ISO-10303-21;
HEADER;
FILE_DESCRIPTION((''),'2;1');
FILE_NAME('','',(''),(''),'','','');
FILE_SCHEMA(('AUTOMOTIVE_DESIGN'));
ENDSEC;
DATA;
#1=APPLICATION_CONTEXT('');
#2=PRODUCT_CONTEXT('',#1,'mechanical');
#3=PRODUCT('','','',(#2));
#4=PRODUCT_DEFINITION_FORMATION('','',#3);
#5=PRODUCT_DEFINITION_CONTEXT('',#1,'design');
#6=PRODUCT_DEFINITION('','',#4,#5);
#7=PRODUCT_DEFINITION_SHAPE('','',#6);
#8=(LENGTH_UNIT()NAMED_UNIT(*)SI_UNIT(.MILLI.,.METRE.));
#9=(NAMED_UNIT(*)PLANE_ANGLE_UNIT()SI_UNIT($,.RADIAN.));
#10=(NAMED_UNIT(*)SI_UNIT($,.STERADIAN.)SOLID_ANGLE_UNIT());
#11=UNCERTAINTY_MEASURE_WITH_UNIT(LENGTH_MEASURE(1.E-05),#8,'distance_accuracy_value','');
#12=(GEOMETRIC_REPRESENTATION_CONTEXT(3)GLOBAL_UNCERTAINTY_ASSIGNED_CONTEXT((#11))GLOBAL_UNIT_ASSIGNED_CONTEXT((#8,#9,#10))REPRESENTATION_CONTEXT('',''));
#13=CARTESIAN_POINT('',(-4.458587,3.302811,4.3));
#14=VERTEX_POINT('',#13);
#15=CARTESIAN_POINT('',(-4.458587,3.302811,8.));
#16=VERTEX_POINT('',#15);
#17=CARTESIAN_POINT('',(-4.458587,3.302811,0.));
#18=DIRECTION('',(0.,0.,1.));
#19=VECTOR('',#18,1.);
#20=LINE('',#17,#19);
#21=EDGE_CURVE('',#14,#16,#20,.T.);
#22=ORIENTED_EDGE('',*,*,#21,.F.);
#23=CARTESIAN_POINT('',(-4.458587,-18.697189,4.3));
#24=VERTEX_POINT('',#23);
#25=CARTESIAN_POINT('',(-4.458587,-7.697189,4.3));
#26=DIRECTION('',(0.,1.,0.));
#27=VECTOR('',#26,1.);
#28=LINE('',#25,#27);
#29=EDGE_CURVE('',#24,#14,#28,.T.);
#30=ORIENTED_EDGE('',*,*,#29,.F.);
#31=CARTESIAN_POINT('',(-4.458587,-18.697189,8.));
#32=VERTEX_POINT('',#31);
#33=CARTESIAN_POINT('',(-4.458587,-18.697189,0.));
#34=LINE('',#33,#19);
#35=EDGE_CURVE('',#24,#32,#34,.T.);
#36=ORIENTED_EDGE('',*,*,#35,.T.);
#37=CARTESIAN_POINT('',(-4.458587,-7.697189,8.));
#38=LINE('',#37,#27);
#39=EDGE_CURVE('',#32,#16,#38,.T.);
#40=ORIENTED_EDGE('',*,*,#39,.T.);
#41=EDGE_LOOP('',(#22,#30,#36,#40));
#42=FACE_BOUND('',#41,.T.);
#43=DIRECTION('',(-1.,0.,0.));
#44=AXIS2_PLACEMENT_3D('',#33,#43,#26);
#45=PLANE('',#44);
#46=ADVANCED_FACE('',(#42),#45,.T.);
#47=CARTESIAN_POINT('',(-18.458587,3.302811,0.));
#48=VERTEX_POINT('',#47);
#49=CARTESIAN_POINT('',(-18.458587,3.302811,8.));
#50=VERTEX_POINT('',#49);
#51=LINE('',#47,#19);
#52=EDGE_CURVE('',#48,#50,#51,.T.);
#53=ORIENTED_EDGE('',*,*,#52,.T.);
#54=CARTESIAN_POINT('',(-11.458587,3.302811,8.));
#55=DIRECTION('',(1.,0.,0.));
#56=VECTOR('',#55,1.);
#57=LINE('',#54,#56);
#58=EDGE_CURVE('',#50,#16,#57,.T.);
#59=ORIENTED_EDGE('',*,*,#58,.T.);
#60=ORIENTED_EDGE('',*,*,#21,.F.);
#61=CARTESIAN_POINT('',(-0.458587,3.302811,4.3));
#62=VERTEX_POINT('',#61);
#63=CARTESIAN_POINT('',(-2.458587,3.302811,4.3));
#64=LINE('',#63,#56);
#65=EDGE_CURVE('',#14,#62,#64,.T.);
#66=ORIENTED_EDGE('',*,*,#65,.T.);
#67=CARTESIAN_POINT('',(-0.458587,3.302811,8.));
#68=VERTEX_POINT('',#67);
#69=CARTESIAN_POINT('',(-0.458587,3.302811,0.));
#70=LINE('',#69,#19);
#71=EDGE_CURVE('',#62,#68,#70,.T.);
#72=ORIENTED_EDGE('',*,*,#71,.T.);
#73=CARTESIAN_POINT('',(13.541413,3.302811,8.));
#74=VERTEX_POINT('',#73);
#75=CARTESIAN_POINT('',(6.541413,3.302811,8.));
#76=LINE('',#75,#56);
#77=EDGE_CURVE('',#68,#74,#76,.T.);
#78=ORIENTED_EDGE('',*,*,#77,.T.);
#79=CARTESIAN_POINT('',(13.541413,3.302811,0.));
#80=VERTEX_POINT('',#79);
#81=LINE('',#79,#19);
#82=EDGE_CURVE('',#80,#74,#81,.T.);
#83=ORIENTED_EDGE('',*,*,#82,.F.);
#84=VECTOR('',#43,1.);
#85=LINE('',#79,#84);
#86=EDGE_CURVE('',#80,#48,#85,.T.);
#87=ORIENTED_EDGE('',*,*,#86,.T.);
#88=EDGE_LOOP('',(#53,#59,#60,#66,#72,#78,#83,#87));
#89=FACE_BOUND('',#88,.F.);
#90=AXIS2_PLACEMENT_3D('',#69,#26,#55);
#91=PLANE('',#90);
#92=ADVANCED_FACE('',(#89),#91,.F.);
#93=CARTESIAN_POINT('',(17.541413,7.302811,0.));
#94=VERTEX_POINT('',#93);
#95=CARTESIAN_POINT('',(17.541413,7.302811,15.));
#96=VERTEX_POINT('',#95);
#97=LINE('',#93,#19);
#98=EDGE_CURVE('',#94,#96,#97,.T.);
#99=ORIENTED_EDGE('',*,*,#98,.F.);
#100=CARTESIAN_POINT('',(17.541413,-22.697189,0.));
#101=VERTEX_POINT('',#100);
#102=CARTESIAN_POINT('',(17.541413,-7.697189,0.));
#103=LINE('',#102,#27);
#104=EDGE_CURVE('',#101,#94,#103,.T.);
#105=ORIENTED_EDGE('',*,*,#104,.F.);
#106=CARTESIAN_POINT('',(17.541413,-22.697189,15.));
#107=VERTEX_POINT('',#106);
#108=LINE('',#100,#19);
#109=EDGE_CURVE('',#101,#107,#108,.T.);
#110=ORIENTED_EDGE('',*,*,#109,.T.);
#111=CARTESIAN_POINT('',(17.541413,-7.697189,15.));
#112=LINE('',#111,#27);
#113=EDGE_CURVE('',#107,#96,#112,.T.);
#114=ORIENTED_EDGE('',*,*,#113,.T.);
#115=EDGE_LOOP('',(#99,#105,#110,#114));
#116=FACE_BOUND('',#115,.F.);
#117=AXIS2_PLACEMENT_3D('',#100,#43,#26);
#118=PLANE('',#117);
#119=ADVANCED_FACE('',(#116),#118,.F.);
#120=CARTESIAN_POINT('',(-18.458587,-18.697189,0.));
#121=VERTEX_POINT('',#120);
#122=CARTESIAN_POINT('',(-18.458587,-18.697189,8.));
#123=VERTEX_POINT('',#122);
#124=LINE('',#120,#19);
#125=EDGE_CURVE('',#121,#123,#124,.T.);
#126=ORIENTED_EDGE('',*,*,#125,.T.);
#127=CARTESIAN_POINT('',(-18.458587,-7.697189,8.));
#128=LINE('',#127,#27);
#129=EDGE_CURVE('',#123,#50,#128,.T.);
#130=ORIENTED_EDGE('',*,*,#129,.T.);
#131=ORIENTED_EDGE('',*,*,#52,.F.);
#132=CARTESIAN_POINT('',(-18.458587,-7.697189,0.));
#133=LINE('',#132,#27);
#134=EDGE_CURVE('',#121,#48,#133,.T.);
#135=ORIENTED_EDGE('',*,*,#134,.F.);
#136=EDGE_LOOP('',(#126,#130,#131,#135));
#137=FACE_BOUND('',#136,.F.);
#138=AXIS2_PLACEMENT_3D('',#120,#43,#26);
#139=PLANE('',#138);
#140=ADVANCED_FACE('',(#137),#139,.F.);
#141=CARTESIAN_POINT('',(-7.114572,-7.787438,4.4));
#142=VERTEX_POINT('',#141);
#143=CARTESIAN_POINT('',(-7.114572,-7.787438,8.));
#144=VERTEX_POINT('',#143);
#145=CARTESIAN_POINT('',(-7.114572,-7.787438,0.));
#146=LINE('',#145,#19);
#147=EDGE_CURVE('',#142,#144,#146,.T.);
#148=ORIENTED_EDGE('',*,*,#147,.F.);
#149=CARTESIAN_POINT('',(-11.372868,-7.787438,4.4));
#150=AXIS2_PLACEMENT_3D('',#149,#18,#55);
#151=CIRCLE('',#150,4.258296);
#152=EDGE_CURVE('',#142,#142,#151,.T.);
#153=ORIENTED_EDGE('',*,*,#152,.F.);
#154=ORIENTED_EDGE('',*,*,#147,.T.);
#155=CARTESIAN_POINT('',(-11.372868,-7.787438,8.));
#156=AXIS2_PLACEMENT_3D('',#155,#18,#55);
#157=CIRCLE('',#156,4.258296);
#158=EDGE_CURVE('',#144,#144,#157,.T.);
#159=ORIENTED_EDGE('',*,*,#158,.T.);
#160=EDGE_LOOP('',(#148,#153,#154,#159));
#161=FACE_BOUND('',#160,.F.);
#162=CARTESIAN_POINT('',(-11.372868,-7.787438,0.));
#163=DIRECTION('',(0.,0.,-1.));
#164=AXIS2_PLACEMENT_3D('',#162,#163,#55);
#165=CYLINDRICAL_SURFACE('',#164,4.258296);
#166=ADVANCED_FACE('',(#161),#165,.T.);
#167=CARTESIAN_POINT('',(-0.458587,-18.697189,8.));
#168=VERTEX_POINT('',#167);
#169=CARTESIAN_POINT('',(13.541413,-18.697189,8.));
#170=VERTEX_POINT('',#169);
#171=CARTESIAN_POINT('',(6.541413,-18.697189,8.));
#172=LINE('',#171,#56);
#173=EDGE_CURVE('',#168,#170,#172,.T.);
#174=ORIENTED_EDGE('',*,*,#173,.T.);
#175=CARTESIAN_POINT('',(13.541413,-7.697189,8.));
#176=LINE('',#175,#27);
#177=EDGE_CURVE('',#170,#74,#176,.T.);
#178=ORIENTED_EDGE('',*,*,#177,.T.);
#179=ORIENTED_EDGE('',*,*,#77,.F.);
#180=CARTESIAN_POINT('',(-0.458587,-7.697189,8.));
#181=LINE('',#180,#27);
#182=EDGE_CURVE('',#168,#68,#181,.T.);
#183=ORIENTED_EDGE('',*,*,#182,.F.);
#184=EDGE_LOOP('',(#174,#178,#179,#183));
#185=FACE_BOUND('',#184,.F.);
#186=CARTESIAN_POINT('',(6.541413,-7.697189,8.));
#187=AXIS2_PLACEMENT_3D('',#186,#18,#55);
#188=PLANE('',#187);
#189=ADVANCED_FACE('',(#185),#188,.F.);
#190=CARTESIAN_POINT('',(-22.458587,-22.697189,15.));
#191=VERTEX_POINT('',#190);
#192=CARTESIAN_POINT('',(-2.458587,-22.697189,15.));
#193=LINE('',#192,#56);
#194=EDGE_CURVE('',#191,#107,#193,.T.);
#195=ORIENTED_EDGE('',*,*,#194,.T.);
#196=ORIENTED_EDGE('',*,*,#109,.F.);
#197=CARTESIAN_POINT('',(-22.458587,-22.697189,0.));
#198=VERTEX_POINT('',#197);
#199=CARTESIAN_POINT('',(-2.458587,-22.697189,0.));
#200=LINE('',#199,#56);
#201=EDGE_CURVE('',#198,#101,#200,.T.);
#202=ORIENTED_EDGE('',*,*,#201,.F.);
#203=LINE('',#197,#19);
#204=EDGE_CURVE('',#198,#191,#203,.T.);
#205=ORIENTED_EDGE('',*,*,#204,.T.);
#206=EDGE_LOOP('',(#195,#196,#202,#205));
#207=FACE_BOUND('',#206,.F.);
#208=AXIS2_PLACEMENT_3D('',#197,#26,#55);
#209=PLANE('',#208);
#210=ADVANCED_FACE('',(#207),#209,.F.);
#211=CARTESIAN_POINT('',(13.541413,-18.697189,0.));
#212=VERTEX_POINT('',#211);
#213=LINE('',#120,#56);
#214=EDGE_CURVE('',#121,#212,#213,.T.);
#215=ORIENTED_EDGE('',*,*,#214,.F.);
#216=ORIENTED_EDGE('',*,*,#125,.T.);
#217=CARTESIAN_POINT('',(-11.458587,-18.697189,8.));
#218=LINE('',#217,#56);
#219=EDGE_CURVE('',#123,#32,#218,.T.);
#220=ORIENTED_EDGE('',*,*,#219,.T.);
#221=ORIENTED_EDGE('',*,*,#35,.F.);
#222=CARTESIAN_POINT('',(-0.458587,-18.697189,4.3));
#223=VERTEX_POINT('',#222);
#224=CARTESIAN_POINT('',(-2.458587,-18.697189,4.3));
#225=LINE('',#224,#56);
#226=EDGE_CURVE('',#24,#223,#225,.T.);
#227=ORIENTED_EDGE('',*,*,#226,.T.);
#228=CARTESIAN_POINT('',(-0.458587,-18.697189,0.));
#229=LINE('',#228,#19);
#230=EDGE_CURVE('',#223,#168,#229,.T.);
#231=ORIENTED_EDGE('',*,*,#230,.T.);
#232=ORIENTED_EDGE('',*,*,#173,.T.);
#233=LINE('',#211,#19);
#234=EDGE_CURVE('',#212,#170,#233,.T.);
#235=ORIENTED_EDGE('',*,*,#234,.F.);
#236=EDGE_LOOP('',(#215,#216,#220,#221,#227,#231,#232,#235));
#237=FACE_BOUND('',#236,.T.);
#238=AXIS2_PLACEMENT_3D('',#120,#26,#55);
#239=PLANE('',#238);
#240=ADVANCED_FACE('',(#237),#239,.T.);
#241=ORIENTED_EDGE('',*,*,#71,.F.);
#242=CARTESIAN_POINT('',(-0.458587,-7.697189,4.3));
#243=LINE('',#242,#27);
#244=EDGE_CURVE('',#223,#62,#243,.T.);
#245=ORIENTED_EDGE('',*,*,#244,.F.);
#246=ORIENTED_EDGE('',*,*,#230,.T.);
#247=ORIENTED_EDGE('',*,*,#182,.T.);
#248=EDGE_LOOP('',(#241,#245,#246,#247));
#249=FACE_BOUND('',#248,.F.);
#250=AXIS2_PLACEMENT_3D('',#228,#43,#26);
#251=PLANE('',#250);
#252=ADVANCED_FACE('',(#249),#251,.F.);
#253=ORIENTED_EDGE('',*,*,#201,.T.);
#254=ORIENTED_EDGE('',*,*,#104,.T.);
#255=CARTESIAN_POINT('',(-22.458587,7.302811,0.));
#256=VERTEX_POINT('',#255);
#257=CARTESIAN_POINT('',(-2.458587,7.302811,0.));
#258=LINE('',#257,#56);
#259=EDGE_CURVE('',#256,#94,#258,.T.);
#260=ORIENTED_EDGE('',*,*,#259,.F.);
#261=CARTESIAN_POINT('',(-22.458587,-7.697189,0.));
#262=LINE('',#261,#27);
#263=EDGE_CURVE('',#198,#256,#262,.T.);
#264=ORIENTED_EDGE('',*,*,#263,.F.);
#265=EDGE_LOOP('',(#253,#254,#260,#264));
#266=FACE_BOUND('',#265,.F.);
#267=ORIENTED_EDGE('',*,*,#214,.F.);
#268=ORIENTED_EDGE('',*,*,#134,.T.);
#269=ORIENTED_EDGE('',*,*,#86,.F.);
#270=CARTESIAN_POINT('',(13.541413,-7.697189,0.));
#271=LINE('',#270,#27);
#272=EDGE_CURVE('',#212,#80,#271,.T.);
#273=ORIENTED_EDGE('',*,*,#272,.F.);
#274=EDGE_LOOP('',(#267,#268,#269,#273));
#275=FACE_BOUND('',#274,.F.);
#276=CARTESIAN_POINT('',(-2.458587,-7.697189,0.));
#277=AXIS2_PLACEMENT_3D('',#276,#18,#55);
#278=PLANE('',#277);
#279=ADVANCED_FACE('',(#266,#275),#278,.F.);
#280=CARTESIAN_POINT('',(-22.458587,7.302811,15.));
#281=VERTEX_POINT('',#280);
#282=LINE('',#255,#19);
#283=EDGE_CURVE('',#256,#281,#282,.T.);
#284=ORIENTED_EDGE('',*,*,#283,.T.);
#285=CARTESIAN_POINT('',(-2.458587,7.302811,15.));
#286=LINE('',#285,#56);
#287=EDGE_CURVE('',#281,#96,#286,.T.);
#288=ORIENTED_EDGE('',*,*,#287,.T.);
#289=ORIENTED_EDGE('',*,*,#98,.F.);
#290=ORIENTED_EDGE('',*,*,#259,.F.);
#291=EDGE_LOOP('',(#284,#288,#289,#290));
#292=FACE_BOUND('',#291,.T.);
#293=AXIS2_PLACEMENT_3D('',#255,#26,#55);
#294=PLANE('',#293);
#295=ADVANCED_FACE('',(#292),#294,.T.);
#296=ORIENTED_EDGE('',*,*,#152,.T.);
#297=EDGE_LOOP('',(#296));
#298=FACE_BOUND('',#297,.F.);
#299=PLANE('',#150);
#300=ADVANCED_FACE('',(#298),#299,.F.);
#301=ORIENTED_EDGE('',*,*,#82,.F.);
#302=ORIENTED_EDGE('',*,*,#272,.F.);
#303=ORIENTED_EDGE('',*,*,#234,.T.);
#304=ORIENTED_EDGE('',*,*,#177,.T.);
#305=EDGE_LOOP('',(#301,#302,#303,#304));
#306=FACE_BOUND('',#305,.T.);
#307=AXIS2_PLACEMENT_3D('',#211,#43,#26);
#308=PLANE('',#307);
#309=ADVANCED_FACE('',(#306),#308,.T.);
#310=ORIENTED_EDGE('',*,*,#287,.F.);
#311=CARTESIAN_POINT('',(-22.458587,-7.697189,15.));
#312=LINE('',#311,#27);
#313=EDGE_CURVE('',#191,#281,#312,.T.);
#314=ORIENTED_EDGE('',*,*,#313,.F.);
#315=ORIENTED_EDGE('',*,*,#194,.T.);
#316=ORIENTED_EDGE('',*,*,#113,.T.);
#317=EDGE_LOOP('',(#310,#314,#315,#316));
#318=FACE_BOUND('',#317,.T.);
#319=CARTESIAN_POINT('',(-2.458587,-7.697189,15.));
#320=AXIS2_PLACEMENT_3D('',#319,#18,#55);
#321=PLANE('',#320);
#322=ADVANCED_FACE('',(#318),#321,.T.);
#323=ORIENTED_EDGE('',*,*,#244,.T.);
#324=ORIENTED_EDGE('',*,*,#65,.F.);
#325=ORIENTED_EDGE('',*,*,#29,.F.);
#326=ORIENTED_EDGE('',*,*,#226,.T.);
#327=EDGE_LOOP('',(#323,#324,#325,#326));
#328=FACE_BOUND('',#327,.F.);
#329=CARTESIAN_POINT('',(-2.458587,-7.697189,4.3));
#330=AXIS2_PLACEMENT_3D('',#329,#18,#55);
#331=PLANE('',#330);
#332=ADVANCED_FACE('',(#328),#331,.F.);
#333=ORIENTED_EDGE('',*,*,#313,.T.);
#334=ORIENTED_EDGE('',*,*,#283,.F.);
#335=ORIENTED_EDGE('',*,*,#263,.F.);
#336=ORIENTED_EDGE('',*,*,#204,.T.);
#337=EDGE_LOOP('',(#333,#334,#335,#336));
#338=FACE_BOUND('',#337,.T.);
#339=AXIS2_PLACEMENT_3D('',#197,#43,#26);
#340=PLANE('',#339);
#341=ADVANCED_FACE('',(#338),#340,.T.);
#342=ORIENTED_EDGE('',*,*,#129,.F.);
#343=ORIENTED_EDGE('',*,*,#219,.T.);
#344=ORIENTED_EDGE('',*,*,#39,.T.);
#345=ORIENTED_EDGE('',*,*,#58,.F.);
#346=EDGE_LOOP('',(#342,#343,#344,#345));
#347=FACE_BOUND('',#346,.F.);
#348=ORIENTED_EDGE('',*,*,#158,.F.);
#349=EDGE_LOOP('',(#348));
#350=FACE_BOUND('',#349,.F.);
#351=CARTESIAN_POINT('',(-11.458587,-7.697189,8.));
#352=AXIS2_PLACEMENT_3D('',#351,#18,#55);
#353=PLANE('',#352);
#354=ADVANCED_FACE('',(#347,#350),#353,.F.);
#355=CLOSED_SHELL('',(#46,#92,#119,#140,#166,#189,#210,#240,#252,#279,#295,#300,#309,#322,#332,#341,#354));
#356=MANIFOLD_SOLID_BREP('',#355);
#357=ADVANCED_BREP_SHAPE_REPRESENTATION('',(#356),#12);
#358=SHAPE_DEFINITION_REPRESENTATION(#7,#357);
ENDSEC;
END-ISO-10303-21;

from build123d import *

# Parameters (mm, degrees)
F0_W     = 40
F0_H     = 30
F0_W_2   = 14
F0_H_2   = 22
F0_R     = 4.2582963086
F0_W_3   = 4
F1_DEPTH = 15
F2_DEPTH = 8
F3_DEPTH = 4.4
F4_DEPTH = 4.3


with BuildPart() as f1:
    # F0 (on Top) → F1 (new body)
    with BuildSketch(Plane.XY):
        with Locations((-2.458587151, -7.6971892889)):
            Rectangle(F0_W, F0_H)
        Polygon((-18.458587151, -18.6971892889), (-18.458587151, 3.3028107111), (-4.458587151, 3.3028107111), (-0.458587151, 3.3028107111), (13.541412849, 3.3028107111), (13.541412849, -18.6971892889), (-0.458587151, -18.6971892889), (-4.458587151, -18.6971892889), align=None, mode=Mode.SUBTRACT)
        with Locations((-11.458587151, -7.6971892889)):
            Rectangle(F0_W_2, F0_H_2)
        with Locations((-11.3728679717, -7.7874381095)):
            Circle(F0_R, mode=Mode.SUBTRACT)
        with Locations((6.541412849, -7.6971892889)):
            Rectangle(F0_W_2, F0_H_2)
        with Locations((-2.458587151, -7.6971892889)):
            Rectangle(F0_W_3, F0_H_2)
        with Locations((-11.3728679717, -7.7874381095)):
            Circle(F0_R)
    extrude(amount=F1_DEPTH)

    # F0 (on Top) → F2 (cut)
    with BuildSketch(Plane.XY):
        with Locations((6.541412849, -7.6971892889)):
            Rectangle(F0_W_2, F0_H_2)
        with Locations((-11.458587151, -7.6971892889)):
            Rectangle(F0_W_2, F0_H_2)
        with Locations((-11.3728679717, -7.7874381095)):
            Circle(F0_R, mode=Mode.SUBTRACT)
    extrude(amount=F2_DEPTH, mode=Mode.SUBTRACT)

    # F0 (on Top) → F3 (cut)
    with BuildSketch(Plane.XY):
        with Locations((-11.3728679717, -7.7874381095)):
            Circle(F0_R)
    extrude(amount=F3_DEPTH, mode=Mode.SUBTRACT)

    # F0 (on Top) → F4 (cut)
    with BuildSketch(Plane.XY):
        with Locations((-2.458587151, -7.6971892889)):
            Rectangle(F0_W_3, F0_H_2)
    extrude(amount=F4_DEPTH, mode=Mode.SUBTRACT)


solid = f1.part
